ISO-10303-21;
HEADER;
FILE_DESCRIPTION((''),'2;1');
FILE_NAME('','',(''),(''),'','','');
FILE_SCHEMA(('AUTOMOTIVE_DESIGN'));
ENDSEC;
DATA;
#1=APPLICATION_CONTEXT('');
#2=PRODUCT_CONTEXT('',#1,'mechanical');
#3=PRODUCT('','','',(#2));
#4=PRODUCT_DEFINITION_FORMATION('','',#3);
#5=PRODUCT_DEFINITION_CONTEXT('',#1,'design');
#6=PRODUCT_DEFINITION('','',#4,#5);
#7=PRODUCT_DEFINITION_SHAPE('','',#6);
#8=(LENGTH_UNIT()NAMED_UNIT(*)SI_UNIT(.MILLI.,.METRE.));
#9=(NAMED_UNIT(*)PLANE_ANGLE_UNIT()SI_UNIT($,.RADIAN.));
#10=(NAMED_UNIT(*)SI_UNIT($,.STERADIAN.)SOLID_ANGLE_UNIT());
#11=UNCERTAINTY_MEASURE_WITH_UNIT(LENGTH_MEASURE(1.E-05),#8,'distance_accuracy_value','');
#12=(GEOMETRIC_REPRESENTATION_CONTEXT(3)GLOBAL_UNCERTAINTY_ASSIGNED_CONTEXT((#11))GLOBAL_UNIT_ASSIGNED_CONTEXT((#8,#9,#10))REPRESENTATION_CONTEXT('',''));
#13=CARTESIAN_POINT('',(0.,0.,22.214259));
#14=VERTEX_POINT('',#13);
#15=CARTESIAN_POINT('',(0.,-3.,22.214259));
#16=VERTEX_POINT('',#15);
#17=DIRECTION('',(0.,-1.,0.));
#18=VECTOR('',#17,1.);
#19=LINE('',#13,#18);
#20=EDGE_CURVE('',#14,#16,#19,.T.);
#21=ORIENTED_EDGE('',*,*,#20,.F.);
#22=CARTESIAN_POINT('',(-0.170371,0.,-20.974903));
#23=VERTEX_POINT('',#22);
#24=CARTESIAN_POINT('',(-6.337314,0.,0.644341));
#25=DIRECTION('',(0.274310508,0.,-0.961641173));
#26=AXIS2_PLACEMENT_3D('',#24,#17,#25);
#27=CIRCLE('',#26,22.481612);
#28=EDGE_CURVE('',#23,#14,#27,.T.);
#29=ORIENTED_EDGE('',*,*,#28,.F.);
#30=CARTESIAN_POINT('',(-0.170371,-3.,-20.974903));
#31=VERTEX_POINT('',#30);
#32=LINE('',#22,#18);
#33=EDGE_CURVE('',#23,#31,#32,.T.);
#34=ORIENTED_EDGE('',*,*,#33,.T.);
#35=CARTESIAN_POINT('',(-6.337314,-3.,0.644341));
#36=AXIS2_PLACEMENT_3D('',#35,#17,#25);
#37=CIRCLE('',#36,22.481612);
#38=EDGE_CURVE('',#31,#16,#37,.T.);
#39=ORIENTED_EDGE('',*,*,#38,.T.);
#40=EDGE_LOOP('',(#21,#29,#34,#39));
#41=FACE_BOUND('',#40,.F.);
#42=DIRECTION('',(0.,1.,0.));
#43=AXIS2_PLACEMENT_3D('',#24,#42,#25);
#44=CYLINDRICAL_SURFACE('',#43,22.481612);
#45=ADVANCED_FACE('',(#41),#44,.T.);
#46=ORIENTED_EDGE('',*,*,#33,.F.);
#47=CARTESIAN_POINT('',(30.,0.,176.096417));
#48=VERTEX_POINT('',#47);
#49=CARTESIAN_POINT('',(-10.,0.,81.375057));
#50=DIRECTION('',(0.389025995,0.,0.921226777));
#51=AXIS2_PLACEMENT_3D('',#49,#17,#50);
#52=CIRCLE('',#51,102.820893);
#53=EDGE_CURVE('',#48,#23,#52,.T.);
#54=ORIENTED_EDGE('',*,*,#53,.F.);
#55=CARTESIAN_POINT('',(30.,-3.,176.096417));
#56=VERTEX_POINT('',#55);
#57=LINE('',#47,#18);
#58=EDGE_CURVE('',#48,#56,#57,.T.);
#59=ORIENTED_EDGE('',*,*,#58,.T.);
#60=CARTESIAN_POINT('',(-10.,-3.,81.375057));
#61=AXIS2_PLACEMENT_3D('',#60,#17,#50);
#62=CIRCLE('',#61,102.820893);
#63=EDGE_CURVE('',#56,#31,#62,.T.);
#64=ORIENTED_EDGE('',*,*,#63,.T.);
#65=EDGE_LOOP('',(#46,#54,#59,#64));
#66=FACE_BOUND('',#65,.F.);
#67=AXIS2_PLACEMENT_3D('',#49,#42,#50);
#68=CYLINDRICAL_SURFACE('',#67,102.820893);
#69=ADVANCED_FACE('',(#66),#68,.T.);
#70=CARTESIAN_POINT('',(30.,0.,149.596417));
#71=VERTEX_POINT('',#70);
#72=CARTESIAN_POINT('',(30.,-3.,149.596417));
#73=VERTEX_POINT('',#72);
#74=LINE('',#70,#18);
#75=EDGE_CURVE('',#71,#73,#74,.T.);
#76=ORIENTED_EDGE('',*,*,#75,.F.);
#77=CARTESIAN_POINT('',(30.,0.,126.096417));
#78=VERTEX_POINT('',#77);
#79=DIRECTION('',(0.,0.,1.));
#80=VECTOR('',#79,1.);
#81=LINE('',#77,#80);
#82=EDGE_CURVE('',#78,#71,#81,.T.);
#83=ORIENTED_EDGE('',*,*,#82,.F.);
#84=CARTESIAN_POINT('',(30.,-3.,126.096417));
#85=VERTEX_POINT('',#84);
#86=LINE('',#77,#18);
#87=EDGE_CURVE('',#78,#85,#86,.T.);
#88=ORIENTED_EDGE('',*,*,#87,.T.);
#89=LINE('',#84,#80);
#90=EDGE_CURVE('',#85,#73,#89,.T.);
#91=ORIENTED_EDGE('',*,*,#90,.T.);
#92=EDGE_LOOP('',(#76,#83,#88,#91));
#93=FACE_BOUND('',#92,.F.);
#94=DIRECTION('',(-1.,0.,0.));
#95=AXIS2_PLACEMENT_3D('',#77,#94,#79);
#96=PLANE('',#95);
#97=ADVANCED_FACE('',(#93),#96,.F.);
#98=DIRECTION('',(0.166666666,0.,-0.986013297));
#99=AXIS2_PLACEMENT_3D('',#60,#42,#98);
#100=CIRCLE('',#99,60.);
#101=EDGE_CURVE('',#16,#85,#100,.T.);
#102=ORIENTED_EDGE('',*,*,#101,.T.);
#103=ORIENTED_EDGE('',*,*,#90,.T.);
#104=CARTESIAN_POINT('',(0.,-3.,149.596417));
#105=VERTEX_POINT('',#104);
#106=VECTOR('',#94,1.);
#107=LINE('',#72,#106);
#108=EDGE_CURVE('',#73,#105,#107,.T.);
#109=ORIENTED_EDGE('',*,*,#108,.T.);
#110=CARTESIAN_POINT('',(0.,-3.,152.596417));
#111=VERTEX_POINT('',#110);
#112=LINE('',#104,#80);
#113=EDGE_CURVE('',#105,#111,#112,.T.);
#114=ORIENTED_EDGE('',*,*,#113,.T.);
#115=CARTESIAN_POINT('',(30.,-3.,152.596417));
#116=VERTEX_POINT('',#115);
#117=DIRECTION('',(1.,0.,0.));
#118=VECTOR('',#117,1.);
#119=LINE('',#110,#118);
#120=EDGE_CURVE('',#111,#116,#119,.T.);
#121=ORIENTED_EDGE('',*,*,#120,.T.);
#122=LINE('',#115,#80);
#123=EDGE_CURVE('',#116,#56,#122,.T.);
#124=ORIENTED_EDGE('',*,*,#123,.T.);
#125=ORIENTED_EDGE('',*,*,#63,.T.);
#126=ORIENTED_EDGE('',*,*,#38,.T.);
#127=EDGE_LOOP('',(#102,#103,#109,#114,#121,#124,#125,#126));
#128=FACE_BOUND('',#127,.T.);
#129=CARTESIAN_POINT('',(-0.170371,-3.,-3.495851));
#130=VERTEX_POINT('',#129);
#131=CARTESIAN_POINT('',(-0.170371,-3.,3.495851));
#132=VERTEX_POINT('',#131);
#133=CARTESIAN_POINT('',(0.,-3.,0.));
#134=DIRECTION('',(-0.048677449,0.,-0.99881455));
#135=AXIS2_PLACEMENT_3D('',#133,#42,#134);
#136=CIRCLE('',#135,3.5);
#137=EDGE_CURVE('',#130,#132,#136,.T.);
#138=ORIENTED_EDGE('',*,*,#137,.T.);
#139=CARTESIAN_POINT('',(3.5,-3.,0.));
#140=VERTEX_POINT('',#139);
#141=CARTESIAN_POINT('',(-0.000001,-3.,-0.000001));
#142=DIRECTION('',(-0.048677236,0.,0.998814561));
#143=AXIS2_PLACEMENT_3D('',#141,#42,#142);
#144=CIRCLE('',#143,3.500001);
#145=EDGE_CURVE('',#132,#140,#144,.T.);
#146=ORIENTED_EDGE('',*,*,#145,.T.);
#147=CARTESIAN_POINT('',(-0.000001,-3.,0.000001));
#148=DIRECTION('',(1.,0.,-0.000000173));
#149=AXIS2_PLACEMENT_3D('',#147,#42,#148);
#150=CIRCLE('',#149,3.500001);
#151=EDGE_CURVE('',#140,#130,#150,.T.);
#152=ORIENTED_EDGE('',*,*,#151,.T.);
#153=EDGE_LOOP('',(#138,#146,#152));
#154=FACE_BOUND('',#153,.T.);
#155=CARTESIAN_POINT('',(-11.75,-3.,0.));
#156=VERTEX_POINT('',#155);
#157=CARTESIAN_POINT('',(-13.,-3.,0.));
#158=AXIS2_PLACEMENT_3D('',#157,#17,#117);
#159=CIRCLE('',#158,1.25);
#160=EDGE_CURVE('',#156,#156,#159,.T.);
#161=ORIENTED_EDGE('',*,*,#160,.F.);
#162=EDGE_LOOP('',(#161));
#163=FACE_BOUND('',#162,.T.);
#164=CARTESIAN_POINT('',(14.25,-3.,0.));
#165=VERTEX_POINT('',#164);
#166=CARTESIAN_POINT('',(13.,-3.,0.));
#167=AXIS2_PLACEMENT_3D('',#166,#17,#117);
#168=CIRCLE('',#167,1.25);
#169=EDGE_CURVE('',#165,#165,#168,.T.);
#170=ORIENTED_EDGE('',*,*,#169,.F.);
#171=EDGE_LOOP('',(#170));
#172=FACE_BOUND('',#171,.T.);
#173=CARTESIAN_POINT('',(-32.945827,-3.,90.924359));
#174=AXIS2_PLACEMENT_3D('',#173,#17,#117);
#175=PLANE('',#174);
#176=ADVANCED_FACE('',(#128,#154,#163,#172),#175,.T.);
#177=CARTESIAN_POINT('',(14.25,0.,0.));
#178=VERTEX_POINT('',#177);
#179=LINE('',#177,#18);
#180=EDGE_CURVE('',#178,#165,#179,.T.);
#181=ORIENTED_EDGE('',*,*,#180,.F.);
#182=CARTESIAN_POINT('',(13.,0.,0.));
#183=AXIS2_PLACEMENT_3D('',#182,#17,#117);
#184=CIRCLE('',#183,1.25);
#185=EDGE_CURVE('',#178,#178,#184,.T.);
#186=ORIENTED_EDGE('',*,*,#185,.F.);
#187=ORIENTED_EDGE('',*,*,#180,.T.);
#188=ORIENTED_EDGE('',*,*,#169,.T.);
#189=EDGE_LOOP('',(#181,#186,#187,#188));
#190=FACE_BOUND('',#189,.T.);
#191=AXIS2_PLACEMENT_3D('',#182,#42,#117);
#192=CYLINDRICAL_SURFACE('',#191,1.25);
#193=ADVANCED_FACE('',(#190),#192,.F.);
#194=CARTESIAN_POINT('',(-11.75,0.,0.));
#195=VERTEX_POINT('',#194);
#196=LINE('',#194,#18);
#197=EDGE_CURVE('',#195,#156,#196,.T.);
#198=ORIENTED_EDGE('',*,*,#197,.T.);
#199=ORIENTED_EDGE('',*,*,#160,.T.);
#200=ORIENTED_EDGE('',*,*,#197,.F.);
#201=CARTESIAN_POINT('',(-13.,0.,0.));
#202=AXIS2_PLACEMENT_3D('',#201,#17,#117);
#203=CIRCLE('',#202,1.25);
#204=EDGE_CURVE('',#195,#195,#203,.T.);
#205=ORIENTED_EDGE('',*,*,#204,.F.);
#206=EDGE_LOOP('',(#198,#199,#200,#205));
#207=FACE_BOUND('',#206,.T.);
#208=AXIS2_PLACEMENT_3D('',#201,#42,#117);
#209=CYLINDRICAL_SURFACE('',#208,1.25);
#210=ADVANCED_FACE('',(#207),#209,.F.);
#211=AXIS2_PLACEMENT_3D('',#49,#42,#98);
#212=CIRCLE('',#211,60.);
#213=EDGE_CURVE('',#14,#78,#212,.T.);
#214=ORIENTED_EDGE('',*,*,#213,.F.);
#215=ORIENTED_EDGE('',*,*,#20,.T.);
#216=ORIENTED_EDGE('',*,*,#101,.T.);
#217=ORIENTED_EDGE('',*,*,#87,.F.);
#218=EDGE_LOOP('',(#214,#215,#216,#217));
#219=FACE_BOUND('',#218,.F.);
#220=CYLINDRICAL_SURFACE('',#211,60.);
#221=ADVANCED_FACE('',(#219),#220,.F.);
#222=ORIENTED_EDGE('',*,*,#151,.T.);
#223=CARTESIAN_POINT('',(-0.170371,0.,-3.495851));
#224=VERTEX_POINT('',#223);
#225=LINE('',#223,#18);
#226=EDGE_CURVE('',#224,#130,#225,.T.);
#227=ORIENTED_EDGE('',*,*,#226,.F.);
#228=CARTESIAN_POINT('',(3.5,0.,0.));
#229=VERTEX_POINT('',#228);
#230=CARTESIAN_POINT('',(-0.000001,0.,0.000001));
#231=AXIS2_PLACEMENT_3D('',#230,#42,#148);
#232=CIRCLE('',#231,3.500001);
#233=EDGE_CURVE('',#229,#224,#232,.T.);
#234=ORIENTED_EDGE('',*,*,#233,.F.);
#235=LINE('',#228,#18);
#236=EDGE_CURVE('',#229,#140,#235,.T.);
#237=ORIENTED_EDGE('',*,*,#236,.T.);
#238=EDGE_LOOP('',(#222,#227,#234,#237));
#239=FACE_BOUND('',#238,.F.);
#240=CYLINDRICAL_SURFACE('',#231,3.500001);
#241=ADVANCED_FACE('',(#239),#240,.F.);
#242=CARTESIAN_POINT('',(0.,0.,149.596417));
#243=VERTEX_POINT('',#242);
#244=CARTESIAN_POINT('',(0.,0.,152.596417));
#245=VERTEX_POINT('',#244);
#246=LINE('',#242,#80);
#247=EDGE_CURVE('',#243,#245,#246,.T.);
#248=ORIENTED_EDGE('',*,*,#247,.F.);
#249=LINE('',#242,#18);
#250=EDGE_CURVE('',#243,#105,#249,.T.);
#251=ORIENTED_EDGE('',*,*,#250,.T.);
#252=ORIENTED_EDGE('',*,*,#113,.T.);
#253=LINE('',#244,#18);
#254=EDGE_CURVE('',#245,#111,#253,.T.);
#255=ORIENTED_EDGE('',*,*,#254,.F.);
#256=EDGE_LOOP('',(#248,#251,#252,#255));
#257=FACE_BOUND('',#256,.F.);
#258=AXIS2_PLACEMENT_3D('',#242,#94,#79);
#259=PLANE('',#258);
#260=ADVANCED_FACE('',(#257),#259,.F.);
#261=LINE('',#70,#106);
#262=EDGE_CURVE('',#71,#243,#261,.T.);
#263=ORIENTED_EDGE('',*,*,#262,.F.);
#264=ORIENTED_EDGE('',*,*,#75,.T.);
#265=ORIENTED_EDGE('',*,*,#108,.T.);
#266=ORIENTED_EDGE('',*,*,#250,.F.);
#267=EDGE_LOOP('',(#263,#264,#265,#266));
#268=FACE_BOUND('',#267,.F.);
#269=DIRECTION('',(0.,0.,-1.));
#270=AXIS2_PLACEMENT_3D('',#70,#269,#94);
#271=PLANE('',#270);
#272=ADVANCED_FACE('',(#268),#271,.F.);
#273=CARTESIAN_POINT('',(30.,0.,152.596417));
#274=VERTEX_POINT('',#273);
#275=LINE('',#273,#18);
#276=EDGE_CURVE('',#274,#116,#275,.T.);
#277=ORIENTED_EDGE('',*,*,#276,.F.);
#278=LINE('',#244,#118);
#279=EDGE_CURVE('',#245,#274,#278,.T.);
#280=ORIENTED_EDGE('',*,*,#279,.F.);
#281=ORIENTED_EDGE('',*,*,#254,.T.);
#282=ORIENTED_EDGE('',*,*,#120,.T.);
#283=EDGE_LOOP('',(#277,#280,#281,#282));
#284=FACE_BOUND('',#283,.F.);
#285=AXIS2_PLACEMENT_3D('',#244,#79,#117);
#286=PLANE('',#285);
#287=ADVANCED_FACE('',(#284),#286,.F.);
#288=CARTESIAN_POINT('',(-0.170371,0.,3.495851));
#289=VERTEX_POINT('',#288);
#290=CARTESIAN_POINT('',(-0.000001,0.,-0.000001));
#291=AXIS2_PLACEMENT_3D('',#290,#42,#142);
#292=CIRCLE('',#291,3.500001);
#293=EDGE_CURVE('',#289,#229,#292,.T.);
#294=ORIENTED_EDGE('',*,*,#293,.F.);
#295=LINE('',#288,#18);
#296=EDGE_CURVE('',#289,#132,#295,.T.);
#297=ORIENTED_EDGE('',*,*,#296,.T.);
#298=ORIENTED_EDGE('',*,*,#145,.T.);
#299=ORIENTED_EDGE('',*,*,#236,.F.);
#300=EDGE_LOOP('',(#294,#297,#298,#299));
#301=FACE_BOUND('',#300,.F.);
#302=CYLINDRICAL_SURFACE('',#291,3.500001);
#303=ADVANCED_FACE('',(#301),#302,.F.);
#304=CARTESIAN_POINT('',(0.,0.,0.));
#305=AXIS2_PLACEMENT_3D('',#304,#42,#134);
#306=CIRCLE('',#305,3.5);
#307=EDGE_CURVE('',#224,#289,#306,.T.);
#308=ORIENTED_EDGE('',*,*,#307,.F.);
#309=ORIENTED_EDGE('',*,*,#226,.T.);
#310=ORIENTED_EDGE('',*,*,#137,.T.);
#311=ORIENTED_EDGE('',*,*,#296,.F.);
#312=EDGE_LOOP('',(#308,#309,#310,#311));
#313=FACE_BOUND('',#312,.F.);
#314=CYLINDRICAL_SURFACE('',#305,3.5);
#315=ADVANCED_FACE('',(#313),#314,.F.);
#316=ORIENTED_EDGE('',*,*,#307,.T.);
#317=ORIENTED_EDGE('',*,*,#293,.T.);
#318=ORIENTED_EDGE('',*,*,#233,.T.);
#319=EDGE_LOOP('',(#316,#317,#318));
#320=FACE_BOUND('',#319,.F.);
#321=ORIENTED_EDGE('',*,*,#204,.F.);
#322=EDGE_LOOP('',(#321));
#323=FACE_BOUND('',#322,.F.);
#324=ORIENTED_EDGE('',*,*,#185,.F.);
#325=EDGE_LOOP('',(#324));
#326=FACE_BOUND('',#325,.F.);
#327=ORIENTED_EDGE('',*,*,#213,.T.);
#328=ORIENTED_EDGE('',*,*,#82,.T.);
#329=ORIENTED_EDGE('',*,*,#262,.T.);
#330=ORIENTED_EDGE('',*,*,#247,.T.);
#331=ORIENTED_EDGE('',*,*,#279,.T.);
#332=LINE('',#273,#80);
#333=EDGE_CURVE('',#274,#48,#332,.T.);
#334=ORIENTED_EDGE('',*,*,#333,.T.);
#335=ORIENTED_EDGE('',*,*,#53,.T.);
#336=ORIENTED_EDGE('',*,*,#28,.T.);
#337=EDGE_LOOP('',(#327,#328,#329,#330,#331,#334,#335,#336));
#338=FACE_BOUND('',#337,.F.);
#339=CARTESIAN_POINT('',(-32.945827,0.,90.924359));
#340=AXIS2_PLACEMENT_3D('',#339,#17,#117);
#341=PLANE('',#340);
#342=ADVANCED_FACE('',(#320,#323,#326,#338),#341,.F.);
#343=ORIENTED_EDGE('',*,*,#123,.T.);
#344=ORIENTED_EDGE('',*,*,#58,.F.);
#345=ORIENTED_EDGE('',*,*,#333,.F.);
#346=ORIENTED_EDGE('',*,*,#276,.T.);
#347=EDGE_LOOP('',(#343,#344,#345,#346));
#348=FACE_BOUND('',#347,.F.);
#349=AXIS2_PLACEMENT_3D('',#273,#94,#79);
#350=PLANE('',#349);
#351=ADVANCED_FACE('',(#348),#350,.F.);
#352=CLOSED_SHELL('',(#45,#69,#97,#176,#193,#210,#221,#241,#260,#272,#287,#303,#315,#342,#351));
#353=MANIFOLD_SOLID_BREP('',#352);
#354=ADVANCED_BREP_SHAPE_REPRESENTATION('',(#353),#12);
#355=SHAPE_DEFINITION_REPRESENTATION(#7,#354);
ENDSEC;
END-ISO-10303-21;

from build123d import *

# Parameters (mm, degrees)
F0_R     = 1.25
F1_DEPTH = 3


with BuildPart() as f1:
    # F0 (on Front) → F1 (new body)
    with BuildSketch(Plane.XZ):
        with BuildLine():
            ThreePointArc((30, 176.096417), (-111.636727, 96.934997), (-0.170371, -20.974903))
            ThreePointArc((-0.170371, -20.974903), (16.144124, 0.555657), (0, 22.214259))
            ThreePointArc((0, 22.214259), (-67.64439, 98.022109), (30, 126.096417))
            Line((30, 126.096417), (30, 149.596417))
            Line((30, 149.596417), (0, 149.596417))
            Line((0, 149.596417), (0, 152.596417))
            Line((0, 152.596417), (30, 152.596417))
            Line((30, 152.596417), (30, 176.096417))
        make_face()
        with Locations((-13, 0)):
            Circle(F0_R, mode=Mode.SUBTRACT)
        with BuildLine():
            ThreePointArc((-0.170371, 3.495851), (2.413887, 2.534393), (3.5, 0))
            ThreePointArc((3.5, 0), (2.413887, -2.534393), (-0.170371, -3.495851))
            ThreePointArc((-0.170371, -3.495851), (-3.5, 0), (-0.170371, 3.495851))
        make_face(mode=Mode.SUBTRACT)
        with Locations((13, 0)):
            Circle(F0_R, mode=Mode.SUBTRACT)
    extrude(amount=F1_DEPTH)


solid = f1.part
